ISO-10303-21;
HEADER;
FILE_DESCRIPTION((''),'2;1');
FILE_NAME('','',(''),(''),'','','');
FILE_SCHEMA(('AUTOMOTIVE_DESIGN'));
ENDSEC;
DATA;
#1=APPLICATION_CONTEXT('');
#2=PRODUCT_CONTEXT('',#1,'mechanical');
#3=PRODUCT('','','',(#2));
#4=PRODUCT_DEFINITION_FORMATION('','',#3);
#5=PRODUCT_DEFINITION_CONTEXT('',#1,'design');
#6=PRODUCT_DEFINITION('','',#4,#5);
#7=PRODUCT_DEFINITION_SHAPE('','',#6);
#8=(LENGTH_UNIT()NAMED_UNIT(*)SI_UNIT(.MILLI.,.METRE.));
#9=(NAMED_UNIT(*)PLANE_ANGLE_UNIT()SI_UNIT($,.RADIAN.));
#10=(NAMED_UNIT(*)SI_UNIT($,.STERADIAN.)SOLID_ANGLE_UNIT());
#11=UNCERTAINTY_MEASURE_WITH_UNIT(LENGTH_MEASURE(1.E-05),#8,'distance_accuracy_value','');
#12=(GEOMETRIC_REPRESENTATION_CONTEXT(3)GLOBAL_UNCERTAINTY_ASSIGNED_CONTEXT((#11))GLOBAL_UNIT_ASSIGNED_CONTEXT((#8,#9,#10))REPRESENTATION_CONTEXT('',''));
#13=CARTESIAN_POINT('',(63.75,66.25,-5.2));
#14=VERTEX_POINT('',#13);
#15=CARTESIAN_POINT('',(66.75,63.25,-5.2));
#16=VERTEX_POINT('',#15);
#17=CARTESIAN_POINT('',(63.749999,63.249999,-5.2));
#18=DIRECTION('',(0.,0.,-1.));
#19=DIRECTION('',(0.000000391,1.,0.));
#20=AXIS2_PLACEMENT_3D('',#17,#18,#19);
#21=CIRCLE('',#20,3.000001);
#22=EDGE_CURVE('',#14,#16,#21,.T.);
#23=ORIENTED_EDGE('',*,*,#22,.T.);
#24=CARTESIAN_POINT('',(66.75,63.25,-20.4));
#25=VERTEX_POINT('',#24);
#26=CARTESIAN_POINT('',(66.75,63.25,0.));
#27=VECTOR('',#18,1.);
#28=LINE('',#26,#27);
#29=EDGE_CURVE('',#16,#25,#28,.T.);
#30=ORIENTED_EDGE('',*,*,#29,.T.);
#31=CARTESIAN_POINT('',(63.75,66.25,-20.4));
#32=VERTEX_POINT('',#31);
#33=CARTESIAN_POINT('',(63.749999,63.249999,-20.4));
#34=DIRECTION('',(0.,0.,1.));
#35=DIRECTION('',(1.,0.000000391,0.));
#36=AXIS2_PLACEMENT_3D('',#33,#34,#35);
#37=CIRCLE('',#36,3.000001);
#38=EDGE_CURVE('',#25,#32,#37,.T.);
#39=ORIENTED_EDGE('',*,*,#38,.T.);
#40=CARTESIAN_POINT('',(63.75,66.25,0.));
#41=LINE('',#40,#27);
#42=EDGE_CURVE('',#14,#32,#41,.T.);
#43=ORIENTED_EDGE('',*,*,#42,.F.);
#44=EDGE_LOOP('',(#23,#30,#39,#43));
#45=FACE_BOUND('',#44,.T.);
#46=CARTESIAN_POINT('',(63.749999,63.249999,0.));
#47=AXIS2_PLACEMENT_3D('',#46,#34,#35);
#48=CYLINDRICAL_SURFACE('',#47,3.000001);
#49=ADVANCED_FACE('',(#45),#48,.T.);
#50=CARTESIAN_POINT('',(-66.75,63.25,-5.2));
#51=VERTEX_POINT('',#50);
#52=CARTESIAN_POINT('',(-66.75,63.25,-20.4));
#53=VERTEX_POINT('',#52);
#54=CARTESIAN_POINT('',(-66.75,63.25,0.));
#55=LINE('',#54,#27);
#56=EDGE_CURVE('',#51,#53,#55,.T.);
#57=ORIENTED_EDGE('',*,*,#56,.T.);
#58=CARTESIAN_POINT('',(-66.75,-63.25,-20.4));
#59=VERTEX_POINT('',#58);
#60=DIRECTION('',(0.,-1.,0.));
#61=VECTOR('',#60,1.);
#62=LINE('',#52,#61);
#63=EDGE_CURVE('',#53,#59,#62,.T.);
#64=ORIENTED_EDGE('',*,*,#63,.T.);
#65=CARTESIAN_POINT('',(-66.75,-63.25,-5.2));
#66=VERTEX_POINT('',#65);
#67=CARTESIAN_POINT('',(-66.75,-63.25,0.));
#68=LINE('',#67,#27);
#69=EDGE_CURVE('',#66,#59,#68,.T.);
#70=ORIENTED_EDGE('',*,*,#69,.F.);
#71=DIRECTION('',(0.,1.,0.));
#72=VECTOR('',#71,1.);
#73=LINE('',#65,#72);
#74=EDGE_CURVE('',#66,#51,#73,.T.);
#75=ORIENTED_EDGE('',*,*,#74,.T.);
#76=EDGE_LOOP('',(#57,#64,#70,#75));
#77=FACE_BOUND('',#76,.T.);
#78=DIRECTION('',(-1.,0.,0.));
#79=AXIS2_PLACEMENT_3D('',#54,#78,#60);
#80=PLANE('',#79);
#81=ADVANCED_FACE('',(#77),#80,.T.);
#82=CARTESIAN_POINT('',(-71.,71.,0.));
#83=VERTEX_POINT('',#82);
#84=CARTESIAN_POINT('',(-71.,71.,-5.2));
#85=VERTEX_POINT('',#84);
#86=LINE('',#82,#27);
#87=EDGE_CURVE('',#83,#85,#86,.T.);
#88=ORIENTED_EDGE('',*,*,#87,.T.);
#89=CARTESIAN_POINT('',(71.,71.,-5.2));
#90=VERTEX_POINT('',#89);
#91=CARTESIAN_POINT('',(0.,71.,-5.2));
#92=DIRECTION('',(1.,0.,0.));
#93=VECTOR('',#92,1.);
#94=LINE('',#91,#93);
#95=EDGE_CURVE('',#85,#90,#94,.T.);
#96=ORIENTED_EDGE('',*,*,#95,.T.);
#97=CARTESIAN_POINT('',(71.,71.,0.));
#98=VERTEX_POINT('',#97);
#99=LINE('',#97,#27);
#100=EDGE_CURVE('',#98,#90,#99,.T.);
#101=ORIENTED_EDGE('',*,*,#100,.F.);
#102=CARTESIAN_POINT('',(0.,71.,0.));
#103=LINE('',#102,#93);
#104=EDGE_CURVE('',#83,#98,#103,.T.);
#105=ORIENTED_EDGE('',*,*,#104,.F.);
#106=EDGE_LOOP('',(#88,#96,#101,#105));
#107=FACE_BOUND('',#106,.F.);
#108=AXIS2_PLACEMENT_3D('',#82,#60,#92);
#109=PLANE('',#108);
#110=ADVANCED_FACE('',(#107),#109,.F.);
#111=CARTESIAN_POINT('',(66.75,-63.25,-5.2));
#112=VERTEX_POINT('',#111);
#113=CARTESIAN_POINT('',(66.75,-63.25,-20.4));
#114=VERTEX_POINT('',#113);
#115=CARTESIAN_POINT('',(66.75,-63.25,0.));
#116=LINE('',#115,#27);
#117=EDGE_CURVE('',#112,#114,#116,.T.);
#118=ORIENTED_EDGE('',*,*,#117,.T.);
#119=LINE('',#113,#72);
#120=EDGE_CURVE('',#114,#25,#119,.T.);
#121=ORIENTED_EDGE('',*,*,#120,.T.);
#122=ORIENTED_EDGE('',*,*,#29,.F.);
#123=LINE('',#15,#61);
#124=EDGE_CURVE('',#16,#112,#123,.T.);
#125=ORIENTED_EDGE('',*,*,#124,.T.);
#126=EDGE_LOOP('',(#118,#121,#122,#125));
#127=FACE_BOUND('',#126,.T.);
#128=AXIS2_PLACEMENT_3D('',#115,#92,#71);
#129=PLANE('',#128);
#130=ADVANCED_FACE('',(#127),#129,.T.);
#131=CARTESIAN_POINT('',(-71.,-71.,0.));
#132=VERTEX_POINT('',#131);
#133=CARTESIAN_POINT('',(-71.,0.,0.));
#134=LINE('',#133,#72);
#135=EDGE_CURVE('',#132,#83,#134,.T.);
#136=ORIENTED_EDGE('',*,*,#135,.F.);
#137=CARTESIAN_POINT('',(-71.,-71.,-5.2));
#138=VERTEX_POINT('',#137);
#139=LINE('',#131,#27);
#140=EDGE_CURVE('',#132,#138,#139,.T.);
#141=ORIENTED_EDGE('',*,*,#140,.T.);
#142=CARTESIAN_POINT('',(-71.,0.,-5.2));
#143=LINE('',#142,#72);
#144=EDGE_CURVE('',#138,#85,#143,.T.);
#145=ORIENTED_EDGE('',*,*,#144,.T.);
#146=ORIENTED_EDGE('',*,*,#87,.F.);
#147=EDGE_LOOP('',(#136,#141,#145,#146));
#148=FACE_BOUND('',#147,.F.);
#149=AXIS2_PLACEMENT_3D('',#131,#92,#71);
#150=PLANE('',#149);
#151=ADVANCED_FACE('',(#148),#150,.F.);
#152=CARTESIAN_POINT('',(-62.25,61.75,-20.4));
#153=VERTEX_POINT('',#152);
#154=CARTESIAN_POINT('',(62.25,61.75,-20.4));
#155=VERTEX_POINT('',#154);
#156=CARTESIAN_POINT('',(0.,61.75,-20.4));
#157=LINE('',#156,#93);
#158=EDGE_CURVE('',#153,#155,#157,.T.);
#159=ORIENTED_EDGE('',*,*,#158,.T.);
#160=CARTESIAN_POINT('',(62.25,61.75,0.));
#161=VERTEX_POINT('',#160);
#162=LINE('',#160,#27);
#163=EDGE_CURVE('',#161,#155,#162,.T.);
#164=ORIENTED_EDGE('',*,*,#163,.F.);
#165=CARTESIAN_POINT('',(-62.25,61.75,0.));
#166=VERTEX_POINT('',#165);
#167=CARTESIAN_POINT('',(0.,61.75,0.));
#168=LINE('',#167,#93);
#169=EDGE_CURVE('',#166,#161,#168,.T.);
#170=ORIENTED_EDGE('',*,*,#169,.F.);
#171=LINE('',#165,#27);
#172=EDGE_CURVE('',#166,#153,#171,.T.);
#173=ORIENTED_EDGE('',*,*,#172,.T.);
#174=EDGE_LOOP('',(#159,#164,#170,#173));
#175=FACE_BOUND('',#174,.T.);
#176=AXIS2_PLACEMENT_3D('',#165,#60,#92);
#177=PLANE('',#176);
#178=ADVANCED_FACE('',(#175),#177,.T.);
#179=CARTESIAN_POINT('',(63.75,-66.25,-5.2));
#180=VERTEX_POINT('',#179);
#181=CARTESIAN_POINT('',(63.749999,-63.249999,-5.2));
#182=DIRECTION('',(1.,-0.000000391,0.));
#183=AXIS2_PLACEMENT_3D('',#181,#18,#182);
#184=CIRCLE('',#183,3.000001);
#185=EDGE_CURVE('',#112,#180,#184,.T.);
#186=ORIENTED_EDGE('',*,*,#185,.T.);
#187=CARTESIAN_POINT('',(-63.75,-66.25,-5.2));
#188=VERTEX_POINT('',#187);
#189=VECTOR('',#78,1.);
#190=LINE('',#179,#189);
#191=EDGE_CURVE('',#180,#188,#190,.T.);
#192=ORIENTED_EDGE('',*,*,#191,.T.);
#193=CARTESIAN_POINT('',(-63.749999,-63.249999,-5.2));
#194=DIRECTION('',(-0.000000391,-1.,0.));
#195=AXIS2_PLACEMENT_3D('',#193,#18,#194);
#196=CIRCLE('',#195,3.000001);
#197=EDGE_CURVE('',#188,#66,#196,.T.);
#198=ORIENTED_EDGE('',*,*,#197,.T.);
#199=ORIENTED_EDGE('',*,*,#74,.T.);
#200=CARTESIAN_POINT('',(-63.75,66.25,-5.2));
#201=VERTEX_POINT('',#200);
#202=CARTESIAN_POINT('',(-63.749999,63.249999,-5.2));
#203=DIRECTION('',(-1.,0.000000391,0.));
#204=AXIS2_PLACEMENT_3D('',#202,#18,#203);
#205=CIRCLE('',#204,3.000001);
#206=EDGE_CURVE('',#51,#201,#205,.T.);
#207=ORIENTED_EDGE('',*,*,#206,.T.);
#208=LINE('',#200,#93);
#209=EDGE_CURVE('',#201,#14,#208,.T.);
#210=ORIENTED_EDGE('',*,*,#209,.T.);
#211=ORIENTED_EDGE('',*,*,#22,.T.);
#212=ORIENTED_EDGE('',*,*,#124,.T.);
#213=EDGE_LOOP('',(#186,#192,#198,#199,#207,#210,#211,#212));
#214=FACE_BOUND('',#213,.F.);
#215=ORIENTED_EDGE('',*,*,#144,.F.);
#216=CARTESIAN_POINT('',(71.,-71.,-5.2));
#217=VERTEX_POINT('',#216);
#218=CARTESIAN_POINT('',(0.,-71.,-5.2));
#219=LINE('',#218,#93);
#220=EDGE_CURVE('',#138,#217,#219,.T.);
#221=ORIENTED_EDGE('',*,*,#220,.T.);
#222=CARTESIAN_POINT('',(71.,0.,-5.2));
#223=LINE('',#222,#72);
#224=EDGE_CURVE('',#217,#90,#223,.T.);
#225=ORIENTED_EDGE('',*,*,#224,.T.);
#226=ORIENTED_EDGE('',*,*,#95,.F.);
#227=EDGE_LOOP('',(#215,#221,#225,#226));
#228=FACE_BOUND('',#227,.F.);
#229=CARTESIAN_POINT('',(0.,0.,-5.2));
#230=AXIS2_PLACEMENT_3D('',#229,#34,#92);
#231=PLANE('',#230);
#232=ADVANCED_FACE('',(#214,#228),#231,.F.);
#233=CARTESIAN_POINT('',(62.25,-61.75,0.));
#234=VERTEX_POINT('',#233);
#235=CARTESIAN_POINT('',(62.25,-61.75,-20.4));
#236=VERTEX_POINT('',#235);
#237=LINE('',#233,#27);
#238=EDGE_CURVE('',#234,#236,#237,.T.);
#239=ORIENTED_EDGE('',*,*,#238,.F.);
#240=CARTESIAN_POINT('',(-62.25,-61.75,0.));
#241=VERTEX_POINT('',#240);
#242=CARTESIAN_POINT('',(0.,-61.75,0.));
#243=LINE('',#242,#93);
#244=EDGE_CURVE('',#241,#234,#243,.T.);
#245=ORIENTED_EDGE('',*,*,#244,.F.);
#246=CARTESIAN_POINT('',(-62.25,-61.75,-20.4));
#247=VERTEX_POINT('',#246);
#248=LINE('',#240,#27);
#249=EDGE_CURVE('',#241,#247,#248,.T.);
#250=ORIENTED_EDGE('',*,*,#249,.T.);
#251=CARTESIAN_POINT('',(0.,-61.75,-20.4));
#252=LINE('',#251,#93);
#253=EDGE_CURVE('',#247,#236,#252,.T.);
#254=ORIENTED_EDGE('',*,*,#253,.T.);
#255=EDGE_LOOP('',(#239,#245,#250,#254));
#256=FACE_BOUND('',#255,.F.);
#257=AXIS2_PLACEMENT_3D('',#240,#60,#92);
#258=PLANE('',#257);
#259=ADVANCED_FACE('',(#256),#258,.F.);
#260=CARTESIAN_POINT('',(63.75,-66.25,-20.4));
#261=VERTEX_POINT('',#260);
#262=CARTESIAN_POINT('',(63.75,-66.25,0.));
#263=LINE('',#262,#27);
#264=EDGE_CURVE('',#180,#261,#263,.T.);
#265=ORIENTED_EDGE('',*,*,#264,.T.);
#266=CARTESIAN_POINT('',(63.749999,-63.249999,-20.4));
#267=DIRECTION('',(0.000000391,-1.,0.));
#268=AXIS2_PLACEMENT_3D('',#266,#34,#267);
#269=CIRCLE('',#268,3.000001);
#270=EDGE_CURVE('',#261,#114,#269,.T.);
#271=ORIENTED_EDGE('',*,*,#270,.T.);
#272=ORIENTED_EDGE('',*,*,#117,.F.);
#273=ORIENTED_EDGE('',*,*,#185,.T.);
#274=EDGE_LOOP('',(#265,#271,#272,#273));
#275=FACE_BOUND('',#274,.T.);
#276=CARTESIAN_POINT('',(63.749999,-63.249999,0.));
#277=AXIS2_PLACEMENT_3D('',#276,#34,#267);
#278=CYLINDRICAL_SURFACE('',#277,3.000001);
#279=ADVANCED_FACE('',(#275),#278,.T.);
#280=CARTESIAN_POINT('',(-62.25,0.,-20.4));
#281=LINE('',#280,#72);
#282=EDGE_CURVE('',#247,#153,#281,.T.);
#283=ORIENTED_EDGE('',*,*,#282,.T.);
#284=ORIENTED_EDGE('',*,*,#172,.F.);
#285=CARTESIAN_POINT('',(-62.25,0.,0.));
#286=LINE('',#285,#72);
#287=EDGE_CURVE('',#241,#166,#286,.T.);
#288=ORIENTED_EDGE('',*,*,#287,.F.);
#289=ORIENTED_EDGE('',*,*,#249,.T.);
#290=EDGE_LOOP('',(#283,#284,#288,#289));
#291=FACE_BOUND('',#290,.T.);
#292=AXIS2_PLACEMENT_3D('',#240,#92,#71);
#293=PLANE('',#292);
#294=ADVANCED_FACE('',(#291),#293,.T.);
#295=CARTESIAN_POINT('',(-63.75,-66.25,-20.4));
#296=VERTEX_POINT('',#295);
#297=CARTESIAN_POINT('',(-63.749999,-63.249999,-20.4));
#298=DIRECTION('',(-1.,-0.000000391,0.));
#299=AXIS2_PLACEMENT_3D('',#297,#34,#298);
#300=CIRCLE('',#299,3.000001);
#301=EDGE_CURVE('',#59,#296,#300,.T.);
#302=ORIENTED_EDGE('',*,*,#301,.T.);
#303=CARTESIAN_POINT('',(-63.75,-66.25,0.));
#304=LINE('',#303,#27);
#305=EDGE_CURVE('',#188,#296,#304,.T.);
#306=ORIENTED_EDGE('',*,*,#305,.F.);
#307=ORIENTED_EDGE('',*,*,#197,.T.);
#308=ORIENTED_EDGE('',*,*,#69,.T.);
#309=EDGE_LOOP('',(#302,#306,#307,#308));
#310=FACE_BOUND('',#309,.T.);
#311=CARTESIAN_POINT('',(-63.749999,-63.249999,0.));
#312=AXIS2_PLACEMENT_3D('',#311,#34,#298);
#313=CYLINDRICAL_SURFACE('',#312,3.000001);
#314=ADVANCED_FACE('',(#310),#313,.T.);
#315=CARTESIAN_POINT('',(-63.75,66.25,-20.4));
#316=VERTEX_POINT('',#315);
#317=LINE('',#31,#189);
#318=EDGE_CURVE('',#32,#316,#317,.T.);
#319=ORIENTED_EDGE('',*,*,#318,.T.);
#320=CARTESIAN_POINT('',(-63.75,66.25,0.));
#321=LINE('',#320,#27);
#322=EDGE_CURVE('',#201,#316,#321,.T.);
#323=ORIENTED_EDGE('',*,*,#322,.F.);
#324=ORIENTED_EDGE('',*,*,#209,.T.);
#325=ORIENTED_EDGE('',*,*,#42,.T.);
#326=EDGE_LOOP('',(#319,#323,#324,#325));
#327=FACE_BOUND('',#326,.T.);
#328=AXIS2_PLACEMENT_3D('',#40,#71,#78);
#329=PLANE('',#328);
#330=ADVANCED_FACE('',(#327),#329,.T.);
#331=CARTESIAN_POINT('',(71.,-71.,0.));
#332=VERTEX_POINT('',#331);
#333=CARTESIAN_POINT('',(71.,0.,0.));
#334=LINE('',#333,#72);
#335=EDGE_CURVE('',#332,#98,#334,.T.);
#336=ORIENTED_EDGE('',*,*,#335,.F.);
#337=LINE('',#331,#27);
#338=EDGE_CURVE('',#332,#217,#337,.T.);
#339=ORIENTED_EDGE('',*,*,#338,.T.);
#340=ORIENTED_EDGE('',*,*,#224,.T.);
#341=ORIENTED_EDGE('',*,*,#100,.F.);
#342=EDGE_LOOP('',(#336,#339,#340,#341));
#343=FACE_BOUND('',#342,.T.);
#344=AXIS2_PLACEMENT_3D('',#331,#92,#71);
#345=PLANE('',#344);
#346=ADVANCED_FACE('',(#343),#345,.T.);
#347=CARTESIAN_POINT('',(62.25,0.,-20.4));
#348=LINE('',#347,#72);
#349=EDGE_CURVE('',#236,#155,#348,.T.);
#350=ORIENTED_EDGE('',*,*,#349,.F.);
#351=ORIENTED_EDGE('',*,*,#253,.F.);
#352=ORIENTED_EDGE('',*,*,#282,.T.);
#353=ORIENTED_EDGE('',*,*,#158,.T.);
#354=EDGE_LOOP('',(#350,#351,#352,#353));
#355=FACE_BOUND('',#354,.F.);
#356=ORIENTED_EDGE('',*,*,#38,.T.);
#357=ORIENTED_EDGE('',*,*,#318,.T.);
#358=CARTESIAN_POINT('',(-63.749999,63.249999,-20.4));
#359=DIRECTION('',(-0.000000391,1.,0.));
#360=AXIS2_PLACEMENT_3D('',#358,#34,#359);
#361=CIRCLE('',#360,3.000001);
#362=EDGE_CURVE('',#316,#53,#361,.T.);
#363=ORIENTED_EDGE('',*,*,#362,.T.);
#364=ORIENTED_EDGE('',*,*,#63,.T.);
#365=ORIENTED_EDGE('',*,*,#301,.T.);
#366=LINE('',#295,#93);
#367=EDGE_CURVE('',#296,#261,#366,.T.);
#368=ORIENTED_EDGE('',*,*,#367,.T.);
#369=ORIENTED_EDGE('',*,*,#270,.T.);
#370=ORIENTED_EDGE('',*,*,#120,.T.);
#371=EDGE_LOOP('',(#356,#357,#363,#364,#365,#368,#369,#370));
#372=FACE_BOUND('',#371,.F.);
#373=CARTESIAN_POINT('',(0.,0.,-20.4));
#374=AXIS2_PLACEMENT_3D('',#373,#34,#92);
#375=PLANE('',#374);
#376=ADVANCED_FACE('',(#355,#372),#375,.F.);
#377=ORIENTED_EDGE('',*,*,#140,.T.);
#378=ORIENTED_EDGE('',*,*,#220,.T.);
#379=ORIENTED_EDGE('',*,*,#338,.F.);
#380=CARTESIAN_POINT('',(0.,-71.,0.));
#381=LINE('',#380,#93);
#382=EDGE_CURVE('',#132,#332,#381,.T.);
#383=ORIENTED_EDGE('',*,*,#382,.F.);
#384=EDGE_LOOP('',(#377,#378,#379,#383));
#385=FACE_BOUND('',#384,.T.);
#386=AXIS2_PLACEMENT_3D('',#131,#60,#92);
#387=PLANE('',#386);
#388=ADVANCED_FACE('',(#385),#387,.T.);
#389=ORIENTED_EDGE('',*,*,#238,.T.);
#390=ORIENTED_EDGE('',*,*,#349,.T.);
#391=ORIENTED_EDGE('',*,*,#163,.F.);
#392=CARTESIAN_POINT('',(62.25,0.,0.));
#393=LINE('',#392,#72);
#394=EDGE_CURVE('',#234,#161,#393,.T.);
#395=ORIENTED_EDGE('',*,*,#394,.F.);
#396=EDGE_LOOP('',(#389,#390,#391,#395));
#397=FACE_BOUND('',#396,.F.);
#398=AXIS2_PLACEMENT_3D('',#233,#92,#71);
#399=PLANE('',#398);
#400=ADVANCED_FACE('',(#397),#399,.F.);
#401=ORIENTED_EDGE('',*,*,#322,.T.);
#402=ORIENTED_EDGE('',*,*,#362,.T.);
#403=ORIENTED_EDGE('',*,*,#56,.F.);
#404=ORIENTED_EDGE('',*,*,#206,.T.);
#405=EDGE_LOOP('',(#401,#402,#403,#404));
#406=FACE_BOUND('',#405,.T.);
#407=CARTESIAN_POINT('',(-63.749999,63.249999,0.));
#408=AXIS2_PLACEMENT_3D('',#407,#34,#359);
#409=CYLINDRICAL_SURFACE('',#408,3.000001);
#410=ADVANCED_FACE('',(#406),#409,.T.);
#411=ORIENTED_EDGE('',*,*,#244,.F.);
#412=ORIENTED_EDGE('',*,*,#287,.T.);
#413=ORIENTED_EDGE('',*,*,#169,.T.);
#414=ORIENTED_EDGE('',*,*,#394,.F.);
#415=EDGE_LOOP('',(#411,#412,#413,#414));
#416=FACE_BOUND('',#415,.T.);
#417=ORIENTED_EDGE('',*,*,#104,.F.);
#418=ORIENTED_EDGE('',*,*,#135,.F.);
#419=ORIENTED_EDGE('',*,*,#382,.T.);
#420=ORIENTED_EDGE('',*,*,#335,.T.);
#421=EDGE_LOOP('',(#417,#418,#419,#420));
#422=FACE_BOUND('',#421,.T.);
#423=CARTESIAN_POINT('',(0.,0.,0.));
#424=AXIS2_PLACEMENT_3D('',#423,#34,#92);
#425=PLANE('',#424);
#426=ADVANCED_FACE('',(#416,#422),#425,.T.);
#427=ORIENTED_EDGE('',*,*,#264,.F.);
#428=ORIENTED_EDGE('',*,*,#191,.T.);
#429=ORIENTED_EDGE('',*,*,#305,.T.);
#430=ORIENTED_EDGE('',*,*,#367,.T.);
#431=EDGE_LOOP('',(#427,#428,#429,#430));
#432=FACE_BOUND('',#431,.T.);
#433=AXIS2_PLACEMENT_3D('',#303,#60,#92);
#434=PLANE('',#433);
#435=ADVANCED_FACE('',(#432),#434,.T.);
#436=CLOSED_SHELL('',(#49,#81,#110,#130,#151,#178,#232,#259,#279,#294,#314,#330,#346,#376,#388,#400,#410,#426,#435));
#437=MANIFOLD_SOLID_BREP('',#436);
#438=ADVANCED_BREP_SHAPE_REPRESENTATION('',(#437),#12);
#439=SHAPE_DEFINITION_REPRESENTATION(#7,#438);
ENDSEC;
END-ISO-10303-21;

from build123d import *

# Parameters (mm, degrees)
F0_W     = 142
F0_H     = 142
F1_DEPTH = 5.2
F0_W_2   = 124.5
F0_H_2   = 123.5
F2_DEPTH = 20.4


with BuildPart() as f1:
    # F0 (on Top) → F1 (new body)
    with BuildSketch(Plane.XY):
        Rectangle(F0_W, F0_H)
        with BuildLine():
            Line((-63.75, 66.25), (63.75, 66.25))
            ThreePointArc((63.75, 66.25), (65.87132, 65.37132), (66.75, 63.25))
            Line((66.75, 63.25), (66.75, -63.25))
            ThreePointArc((66.75, -63.25), (65.87132, -65.37132), (63.75, -66.25))
            Line((63.75, -66.25), (-63.75, -66.25))
            ThreePointArc((-63.75, -66.25), (-65.87132, -65.37132), (-66.75, -63.25))
            Line((-66.75, -63.25), (-66.75, 63.25))
            ThreePointArc((-66.75, 63.25), (-65.87132, 65.37132), (-63.75, 66.25))
        make_face(mode=Mode.SUBTRACT)
    extrude(amount=-F1_DEPTH)

    # F0 (on Top) → F2 (join)
    with BuildSketch(Plane.XY):
        with BuildLine():
            ThreePointArc((66.75, 63.25), (65.87132, 65.37132), (63.75, 66.25))
            Line((63.75, 66.25), (-63.75, 66.25))
            ThreePointArc((-63.75, 66.25), (-65.87132, 65.37132), (-66.75, 63.25))
            Line((-66.75, 63.25), (-66.75, -63.25))
            ThreePointArc((-66.75, -63.25), (-65.87132, -65.37132), (-63.75, -66.25))
            Line((-63.75, -66.25), (63.75, -66.25))
            ThreePointArc((63.75, -66.25), (65.87132, -65.37132), (66.75, -63.25))
            Line((66.75, -63.25), (66.75, 63.25))
        make_face()
        Rectangle(F0_W_2, F0_H_2, mode=Mode.SUBTRACT)
    extrude(amount=-F2_DEPTH)


solid = f1.part
